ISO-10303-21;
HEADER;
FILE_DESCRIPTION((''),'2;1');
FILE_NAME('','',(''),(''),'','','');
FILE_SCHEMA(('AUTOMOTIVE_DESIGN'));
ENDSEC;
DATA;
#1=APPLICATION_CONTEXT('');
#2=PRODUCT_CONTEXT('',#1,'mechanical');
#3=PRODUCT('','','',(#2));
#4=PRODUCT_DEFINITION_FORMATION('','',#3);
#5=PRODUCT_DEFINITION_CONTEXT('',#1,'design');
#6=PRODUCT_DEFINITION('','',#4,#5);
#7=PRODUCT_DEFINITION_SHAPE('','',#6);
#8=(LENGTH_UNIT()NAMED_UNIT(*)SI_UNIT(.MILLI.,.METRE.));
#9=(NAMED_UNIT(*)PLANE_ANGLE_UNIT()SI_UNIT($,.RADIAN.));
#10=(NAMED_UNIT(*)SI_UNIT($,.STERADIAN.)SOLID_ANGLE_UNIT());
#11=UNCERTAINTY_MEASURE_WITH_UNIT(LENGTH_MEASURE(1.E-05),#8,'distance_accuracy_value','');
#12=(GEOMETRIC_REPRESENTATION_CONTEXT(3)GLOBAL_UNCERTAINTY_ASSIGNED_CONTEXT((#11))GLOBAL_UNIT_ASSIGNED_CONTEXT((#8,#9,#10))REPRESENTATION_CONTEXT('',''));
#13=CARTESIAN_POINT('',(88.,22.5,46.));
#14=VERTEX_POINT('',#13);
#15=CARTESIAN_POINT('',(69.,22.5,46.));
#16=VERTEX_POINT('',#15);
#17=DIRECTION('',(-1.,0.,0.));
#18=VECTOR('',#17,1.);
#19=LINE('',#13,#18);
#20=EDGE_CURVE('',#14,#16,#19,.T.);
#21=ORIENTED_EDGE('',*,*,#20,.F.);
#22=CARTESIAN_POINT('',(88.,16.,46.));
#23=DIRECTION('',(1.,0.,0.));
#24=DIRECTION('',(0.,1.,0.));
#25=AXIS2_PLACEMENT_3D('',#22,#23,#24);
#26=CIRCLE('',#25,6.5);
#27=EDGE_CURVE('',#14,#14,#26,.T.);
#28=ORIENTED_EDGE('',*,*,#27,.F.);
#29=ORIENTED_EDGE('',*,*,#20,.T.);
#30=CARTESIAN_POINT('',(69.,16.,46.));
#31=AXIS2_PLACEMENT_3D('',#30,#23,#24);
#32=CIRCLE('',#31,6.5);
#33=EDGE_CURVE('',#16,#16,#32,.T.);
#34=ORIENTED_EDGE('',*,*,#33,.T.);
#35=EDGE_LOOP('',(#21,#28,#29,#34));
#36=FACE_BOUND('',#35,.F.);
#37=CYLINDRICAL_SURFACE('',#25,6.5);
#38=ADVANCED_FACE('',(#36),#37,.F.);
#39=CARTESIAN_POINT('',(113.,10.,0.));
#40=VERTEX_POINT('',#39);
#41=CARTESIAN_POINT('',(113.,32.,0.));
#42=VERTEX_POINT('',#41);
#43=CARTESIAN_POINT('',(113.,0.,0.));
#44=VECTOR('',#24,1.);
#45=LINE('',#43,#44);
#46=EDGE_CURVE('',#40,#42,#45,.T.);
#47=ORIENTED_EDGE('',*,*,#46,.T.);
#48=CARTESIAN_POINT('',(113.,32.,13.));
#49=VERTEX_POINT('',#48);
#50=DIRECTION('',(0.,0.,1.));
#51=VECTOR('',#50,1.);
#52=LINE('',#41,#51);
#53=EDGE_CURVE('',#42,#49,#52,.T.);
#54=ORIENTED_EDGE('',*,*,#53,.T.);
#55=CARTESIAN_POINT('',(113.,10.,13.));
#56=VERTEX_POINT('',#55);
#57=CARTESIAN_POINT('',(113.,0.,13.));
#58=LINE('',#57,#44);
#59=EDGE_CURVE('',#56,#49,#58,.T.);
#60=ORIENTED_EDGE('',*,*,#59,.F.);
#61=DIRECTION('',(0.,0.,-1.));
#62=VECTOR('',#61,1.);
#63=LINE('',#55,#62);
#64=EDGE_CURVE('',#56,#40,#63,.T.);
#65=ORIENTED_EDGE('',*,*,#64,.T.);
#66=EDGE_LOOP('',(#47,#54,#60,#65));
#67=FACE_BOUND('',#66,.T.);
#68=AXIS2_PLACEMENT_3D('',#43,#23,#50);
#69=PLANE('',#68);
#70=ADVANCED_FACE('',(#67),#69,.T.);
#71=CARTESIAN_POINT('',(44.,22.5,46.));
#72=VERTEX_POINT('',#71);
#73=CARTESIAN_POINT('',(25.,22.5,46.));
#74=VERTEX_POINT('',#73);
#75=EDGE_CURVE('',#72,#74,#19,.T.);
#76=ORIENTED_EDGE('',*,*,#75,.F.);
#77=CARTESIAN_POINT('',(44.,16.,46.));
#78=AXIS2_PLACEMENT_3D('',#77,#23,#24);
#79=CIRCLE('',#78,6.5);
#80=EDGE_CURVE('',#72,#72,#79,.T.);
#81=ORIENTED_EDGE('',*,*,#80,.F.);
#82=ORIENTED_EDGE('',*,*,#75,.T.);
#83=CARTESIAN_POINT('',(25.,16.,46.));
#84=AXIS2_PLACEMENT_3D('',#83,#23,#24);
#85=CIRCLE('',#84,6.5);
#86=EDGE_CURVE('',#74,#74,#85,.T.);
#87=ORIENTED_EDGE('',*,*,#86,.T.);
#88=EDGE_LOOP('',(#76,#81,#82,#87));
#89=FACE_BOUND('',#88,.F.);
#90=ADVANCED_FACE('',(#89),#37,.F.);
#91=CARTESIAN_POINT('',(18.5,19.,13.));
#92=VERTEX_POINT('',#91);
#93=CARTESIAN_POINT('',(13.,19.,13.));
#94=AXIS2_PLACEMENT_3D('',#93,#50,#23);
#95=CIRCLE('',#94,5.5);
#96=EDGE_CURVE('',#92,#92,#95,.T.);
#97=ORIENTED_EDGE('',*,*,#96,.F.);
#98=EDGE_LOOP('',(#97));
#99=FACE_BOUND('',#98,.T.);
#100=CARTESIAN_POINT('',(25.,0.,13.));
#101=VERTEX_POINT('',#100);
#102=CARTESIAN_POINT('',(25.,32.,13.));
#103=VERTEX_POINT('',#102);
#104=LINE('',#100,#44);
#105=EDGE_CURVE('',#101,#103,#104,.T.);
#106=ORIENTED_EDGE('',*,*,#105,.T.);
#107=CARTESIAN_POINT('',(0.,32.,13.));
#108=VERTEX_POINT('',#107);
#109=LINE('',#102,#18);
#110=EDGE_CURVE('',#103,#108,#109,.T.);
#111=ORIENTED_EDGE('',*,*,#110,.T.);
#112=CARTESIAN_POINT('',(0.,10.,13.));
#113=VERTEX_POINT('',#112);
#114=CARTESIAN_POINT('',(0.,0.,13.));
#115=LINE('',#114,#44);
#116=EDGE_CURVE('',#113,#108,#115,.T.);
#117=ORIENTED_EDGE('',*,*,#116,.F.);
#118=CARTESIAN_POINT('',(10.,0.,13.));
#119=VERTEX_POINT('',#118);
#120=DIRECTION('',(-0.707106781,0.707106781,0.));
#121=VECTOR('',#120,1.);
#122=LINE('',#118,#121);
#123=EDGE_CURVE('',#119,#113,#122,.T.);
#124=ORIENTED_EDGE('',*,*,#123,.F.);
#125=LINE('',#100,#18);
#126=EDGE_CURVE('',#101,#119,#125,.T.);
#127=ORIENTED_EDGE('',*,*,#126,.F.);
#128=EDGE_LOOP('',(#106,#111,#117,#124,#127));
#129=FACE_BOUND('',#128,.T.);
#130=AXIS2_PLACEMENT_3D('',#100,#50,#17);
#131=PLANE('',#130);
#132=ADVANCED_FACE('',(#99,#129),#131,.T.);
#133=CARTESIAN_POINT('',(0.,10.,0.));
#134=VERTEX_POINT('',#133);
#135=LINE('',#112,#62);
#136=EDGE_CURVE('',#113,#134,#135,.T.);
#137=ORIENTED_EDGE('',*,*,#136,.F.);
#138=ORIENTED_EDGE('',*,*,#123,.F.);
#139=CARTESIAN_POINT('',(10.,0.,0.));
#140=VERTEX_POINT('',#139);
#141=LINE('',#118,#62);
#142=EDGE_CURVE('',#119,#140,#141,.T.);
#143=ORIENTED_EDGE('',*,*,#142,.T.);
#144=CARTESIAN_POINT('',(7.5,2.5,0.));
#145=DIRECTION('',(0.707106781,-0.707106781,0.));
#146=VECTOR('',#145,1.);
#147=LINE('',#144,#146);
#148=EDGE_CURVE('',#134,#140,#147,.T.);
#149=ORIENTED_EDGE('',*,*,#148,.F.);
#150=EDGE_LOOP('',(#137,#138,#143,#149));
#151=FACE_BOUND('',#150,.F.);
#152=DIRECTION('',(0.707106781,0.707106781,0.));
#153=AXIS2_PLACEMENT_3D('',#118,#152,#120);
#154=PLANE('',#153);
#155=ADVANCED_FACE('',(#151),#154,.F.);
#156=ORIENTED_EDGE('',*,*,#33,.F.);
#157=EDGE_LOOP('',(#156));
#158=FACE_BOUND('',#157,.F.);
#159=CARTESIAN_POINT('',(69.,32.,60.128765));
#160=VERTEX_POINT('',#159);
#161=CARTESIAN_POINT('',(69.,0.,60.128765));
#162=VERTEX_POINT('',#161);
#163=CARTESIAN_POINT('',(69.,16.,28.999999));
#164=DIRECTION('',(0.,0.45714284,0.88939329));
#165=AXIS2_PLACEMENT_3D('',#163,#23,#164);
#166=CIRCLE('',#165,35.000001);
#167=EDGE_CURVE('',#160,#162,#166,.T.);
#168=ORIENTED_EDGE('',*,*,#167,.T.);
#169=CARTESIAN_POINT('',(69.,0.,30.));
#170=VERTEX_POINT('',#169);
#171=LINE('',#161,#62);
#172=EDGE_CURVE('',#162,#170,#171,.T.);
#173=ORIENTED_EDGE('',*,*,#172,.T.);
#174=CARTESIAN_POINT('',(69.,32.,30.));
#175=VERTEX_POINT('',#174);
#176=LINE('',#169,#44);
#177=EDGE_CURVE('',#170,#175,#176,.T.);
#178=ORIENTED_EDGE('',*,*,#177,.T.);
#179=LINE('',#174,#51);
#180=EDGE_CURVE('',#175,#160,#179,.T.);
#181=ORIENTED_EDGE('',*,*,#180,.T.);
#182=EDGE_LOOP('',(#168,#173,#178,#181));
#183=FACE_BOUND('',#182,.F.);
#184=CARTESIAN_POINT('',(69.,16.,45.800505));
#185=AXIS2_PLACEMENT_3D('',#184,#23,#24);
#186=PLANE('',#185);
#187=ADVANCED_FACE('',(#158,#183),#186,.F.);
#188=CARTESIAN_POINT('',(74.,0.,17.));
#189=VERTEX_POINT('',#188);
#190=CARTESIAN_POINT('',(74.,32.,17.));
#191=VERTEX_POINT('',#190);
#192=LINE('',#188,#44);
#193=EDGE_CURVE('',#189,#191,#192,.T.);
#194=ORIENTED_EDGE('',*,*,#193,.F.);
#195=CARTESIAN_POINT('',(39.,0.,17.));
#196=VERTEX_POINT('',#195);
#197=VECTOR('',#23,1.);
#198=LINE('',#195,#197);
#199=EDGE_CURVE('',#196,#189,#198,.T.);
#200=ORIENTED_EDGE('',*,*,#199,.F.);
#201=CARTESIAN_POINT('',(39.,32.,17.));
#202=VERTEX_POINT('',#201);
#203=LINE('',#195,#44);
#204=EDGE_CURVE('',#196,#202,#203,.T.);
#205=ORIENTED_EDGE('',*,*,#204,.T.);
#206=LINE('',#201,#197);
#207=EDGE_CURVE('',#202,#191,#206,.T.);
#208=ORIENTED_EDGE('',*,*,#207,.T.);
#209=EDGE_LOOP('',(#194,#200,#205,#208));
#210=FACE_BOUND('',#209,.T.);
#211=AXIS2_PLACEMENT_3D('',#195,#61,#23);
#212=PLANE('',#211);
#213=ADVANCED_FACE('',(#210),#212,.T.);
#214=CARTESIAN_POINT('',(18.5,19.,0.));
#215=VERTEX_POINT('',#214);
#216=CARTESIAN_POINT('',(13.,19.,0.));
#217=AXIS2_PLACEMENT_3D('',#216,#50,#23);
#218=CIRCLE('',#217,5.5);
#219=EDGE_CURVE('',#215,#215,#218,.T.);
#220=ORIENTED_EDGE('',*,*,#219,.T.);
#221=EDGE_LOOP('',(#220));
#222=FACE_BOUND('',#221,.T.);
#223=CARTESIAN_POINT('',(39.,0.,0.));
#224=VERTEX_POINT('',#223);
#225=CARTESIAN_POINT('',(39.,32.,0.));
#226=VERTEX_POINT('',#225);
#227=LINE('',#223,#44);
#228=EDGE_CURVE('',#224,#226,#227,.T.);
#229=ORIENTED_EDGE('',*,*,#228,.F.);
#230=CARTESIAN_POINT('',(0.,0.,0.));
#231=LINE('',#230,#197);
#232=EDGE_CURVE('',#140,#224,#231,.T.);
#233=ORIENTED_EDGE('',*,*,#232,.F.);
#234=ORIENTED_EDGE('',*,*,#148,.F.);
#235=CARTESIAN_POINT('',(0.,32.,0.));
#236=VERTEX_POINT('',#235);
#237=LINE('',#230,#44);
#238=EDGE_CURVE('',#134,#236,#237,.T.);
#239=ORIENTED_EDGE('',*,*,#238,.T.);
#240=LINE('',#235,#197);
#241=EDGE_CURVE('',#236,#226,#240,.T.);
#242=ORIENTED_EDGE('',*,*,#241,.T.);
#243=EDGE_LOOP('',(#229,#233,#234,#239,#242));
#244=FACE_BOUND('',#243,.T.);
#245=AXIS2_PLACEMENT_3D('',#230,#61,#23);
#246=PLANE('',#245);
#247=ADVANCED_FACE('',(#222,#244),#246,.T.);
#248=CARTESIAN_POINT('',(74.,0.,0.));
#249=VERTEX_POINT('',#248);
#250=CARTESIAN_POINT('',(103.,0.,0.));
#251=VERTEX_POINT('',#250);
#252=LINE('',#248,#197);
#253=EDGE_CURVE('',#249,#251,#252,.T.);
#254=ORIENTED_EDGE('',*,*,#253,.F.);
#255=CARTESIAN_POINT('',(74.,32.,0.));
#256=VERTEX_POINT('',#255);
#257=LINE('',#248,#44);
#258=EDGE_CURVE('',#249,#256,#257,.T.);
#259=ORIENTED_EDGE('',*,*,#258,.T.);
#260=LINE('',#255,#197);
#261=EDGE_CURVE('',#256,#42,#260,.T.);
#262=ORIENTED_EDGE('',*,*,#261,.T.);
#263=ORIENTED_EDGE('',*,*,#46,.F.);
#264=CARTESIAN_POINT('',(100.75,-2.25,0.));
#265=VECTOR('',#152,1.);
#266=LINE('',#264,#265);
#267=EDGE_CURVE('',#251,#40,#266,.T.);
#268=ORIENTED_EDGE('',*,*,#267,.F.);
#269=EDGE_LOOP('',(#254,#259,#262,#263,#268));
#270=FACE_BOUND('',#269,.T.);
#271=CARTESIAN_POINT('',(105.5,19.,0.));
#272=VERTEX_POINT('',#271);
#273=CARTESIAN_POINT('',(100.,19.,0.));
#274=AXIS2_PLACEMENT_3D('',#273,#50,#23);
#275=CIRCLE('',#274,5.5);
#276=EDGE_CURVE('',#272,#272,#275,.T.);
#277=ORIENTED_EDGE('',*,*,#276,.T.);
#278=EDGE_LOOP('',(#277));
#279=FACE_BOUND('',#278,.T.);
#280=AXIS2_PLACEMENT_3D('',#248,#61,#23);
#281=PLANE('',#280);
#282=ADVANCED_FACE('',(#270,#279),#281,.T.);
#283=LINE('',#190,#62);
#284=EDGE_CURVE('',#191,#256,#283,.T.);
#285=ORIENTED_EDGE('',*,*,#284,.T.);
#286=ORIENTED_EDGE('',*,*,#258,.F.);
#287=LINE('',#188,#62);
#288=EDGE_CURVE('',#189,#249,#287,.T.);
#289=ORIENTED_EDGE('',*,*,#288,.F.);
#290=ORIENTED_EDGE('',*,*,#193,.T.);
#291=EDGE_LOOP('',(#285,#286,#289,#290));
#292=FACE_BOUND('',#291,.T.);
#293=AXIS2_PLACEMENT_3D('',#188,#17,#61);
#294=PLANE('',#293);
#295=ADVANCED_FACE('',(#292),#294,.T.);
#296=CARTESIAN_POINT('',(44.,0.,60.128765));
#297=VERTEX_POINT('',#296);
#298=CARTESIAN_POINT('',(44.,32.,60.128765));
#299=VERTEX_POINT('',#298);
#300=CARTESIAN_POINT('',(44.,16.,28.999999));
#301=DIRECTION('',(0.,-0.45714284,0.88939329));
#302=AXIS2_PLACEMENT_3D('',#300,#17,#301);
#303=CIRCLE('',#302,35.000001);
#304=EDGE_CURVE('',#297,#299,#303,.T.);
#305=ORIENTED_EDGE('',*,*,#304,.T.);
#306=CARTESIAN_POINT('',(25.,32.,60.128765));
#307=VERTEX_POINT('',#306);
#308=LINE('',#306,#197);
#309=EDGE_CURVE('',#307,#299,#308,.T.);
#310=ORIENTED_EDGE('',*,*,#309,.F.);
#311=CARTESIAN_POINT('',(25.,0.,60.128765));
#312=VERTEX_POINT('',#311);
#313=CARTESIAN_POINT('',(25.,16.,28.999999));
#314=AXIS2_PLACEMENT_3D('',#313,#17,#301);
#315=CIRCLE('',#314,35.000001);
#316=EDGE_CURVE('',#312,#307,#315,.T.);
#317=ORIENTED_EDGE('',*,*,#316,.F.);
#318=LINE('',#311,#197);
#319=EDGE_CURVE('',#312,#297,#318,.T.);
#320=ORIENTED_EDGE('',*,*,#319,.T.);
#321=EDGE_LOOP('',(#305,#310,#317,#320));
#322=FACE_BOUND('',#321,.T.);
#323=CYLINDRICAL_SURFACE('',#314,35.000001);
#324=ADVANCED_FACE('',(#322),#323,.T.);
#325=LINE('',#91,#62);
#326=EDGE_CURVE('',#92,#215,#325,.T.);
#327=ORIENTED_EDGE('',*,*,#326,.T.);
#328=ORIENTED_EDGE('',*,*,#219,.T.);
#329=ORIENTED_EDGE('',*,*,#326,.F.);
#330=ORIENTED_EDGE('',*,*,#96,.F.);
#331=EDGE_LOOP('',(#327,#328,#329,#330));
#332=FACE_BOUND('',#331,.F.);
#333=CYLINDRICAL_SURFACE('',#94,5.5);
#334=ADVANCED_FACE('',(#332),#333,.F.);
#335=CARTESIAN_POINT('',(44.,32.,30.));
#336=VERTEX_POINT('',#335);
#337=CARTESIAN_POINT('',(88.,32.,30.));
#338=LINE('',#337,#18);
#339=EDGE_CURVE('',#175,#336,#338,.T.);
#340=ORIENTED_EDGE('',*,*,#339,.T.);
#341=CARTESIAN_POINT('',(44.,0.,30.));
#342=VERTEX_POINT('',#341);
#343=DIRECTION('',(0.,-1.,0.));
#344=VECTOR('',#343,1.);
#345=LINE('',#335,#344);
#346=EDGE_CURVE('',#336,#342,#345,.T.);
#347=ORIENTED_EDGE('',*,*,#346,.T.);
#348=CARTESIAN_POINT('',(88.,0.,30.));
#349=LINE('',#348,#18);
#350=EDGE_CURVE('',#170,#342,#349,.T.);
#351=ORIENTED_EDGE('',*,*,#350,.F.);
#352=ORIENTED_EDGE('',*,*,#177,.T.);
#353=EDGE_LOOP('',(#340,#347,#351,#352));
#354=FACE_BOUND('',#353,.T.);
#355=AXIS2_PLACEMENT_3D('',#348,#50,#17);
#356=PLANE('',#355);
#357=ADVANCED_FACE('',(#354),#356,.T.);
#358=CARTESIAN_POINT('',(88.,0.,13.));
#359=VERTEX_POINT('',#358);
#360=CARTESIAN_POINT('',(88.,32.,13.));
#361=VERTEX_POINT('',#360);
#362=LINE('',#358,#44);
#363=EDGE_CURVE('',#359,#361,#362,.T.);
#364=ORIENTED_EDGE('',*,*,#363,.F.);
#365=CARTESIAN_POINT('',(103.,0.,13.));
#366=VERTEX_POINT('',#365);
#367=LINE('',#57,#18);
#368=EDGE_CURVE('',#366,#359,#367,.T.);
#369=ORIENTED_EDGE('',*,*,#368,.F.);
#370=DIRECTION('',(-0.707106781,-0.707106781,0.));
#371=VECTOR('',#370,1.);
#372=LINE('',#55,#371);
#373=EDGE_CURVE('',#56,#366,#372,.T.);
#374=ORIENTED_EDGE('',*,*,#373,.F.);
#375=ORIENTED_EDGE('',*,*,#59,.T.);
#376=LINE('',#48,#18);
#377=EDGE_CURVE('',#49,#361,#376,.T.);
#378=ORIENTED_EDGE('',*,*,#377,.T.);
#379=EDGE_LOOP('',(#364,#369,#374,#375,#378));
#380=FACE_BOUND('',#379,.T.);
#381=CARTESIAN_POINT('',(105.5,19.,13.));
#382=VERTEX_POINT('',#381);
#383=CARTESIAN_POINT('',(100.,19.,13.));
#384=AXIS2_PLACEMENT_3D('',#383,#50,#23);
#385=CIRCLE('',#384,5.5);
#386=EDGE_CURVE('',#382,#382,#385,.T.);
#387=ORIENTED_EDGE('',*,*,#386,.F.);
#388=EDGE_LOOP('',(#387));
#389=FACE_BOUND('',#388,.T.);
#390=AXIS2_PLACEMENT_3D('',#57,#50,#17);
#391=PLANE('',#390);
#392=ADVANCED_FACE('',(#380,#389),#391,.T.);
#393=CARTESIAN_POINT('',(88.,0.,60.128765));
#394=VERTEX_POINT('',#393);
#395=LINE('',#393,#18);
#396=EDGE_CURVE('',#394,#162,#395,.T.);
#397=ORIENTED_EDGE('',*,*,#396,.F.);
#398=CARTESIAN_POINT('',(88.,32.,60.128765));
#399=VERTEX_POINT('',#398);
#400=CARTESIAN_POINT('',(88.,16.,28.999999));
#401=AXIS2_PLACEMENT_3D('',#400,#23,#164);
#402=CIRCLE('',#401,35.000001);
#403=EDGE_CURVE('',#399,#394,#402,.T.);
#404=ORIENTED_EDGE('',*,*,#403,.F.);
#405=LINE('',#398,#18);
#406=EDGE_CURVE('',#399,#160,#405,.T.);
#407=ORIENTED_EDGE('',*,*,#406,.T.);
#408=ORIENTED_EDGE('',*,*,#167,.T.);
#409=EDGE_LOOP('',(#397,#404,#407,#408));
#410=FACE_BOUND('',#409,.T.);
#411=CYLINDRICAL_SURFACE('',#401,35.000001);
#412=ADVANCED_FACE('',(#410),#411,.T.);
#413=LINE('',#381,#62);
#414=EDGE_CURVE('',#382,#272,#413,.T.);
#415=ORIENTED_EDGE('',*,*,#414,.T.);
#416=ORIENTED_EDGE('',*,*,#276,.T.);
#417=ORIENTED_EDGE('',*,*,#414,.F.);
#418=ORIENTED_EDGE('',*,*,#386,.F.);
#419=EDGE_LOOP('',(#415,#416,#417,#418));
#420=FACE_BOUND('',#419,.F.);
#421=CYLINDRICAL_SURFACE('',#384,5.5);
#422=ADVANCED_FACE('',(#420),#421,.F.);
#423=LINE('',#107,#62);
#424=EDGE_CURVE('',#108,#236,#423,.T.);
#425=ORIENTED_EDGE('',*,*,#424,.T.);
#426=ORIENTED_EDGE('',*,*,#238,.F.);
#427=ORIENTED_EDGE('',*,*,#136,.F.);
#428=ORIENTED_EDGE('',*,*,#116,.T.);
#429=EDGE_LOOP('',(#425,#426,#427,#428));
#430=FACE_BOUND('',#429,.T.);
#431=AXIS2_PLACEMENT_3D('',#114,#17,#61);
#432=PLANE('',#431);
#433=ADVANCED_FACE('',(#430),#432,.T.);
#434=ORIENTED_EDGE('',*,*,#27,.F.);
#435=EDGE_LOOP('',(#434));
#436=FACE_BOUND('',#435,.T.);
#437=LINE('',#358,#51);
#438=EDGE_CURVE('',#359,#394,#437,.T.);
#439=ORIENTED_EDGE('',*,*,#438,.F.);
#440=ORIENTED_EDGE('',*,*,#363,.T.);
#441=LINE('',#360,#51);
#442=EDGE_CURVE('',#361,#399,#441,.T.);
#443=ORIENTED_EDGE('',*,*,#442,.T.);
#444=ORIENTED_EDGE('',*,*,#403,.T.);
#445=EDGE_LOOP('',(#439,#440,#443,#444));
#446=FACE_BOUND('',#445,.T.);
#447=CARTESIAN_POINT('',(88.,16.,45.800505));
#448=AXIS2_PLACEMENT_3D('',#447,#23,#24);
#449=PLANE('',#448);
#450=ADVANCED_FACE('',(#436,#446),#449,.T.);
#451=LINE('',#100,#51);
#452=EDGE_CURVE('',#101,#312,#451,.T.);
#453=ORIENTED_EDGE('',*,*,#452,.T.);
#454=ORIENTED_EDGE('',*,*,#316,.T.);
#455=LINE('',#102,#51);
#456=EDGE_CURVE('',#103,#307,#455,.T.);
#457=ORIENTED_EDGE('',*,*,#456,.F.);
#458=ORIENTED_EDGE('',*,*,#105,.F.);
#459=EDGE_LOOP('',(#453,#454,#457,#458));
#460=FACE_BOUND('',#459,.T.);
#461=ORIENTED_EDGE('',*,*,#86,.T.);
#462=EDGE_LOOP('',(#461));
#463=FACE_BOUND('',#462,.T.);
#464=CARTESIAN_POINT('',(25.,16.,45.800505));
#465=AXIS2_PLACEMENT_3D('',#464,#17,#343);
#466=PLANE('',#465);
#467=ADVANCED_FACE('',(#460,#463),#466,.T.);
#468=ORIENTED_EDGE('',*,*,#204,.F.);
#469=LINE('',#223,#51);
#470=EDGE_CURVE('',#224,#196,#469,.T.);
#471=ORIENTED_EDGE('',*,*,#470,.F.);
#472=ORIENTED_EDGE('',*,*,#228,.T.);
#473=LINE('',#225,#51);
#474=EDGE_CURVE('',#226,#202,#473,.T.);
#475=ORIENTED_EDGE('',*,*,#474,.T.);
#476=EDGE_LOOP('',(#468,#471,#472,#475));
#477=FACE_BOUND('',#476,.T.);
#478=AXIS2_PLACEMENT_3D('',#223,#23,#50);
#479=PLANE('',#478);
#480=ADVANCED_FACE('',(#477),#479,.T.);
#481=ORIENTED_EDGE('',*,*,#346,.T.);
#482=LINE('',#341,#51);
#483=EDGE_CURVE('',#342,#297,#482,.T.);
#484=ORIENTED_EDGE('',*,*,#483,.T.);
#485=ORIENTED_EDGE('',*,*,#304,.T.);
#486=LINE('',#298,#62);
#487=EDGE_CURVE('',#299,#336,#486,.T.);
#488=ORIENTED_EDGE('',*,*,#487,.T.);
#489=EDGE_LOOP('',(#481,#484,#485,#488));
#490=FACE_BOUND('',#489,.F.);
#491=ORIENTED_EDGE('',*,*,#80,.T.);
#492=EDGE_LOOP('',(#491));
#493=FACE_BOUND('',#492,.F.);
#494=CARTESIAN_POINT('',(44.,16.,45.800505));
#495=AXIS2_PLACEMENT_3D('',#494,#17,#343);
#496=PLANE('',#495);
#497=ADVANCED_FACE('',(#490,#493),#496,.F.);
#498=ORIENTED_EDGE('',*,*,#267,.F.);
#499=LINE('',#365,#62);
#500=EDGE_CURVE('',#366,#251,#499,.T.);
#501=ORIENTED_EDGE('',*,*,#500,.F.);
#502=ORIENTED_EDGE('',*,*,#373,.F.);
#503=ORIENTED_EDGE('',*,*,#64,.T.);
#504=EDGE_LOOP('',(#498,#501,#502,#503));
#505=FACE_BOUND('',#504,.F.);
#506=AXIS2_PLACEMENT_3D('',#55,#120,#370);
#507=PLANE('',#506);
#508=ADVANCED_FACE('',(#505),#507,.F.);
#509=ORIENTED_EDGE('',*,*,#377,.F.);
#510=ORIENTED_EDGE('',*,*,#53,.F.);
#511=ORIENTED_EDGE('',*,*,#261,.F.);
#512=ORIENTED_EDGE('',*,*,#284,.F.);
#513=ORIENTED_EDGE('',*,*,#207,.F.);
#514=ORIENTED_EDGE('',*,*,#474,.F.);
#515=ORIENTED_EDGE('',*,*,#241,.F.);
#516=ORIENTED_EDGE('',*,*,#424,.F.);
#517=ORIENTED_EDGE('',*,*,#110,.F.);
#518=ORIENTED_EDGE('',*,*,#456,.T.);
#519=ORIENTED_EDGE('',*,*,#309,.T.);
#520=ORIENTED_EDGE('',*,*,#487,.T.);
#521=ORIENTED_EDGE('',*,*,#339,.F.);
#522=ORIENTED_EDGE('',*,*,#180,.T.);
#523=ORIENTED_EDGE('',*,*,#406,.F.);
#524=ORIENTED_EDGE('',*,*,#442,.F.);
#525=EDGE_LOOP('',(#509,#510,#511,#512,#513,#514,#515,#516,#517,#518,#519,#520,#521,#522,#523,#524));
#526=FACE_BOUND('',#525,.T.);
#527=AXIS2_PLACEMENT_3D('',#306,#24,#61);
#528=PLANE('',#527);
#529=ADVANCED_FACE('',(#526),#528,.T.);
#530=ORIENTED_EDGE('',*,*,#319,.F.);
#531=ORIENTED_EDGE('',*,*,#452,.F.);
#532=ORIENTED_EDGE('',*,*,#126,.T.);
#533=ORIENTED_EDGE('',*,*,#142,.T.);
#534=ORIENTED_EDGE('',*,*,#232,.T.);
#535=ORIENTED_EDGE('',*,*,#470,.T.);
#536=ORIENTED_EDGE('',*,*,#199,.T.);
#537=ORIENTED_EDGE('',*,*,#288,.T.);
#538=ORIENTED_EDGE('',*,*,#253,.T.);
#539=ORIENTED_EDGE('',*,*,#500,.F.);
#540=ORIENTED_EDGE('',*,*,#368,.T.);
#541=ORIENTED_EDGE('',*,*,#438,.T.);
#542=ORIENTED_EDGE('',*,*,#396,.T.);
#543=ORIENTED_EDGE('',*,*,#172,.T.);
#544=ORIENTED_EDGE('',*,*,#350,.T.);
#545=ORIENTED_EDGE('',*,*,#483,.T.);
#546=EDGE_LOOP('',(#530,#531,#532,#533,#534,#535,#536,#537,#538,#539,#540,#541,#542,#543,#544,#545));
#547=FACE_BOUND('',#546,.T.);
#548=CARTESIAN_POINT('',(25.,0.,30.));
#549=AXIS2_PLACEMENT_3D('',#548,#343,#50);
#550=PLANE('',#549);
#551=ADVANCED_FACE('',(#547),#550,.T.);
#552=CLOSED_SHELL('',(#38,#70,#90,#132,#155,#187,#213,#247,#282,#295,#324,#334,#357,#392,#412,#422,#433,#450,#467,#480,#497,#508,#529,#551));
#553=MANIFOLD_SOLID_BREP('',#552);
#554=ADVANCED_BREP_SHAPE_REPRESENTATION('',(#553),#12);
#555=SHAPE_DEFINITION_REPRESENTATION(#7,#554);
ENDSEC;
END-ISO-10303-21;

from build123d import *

# Parameters (mm, degrees)
F1_DEPTH  = 32
F3_DEPTH  = 25
F5_DEPTH  = 25
F7_DEPTH  = 19
F9_DEPTH  = 19
F10_R     = 6.5
F11_DEPTH = 100
F12_R     = 5.5
F13_DEPTH = 25
F14_R     = 5.5
F15_DEPTH = 25


with BuildPart() as f1:
    # F0 (on Front) → F1 (new body)
    with BuildSketch(Plane.XZ):
        Polygon((0, 13), (0, 0), (39, 0), (39, 17), (74, 17), (74, 0), (113, 0), (113, 13), (88, 13), (88, 30), (39, 30), (25, 30), (25, 13), align=None)
    extrude(amount=-F1_DEPTH)

    # F2 (on face) → F3 (cut)
    with BuildSketch(Plane.XY.offset(13)):
        Polygon((113, 10), (103, 0), (113, 0), align=None)
    extrude(amount=-F3_DEPTH, mode=Mode.SUBTRACT)

    # F4 (on face) → F5 (cut)
    with BuildSketch(Plane.XY.offset(13)):
        Polygon((0, 0), (10, 0), (0, 10), align=None)
    extrude(amount=-F5_DEPTH, mode=Mode.SUBTRACT)

    # F6 (on face) → F7 (join)
    with BuildSketch(Plane.YZ.offset(88)):
        with BuildLine():
            Line((0, 60.128765), (0, 30))
            Line((0, 30), (32, 30))
            Line((32, 30), (32, 60.128765))
            ThreePointArc((32, 60.128765), (16, 64), (0, 60.128765))
        make_face()
    extrude(amount=-F7_DEPTH)

    # F8 (on face) → F9 (join)
    with BuildSketch(Plane(origin=(25, 0, 0), x_dir=(0, -1, 0), z_dir=(-1, 0, 0))):
        with BuildLine():
            Line((-32, 60.128765), (-32, 30))
            Line((-32, 30), (0, 30))
            Line((0, 30), (0, 60.128765))
            ThreePointArc((0, 60.128765), (-16, 64), (-32, 60.128765))
        make_face()
    extrude(amount=-F9_DEPTH)

    # F10 (on face) → F11 (cut)
    with BuildSketch(Plane.YZ.offset(88)):
        with Locations((16, 46)):
            Circle(F10_R)
    extrude(amount=-F11_DEPTH, mode=Mode.SUBTRACT)

    # F12 (on face) → F13 (cut)
    with BuildSketch(Plane.XY.offset(13)):
        with Locations((100, 19)):
            Circle(F12_R)
    extrude(amount=-F13_DEPTH, mode=Mode.SUBTRACT)

    # F14 (on face) → F15 (cut)
    with BuildSketch(Plane.XY.offset(13)):
        with Locations((13, 19)):
            Circle(F14_R)
    extrude(amount=-F15_DEPTH, mode=Mode.SUBTRACT)


solid = f1.part
